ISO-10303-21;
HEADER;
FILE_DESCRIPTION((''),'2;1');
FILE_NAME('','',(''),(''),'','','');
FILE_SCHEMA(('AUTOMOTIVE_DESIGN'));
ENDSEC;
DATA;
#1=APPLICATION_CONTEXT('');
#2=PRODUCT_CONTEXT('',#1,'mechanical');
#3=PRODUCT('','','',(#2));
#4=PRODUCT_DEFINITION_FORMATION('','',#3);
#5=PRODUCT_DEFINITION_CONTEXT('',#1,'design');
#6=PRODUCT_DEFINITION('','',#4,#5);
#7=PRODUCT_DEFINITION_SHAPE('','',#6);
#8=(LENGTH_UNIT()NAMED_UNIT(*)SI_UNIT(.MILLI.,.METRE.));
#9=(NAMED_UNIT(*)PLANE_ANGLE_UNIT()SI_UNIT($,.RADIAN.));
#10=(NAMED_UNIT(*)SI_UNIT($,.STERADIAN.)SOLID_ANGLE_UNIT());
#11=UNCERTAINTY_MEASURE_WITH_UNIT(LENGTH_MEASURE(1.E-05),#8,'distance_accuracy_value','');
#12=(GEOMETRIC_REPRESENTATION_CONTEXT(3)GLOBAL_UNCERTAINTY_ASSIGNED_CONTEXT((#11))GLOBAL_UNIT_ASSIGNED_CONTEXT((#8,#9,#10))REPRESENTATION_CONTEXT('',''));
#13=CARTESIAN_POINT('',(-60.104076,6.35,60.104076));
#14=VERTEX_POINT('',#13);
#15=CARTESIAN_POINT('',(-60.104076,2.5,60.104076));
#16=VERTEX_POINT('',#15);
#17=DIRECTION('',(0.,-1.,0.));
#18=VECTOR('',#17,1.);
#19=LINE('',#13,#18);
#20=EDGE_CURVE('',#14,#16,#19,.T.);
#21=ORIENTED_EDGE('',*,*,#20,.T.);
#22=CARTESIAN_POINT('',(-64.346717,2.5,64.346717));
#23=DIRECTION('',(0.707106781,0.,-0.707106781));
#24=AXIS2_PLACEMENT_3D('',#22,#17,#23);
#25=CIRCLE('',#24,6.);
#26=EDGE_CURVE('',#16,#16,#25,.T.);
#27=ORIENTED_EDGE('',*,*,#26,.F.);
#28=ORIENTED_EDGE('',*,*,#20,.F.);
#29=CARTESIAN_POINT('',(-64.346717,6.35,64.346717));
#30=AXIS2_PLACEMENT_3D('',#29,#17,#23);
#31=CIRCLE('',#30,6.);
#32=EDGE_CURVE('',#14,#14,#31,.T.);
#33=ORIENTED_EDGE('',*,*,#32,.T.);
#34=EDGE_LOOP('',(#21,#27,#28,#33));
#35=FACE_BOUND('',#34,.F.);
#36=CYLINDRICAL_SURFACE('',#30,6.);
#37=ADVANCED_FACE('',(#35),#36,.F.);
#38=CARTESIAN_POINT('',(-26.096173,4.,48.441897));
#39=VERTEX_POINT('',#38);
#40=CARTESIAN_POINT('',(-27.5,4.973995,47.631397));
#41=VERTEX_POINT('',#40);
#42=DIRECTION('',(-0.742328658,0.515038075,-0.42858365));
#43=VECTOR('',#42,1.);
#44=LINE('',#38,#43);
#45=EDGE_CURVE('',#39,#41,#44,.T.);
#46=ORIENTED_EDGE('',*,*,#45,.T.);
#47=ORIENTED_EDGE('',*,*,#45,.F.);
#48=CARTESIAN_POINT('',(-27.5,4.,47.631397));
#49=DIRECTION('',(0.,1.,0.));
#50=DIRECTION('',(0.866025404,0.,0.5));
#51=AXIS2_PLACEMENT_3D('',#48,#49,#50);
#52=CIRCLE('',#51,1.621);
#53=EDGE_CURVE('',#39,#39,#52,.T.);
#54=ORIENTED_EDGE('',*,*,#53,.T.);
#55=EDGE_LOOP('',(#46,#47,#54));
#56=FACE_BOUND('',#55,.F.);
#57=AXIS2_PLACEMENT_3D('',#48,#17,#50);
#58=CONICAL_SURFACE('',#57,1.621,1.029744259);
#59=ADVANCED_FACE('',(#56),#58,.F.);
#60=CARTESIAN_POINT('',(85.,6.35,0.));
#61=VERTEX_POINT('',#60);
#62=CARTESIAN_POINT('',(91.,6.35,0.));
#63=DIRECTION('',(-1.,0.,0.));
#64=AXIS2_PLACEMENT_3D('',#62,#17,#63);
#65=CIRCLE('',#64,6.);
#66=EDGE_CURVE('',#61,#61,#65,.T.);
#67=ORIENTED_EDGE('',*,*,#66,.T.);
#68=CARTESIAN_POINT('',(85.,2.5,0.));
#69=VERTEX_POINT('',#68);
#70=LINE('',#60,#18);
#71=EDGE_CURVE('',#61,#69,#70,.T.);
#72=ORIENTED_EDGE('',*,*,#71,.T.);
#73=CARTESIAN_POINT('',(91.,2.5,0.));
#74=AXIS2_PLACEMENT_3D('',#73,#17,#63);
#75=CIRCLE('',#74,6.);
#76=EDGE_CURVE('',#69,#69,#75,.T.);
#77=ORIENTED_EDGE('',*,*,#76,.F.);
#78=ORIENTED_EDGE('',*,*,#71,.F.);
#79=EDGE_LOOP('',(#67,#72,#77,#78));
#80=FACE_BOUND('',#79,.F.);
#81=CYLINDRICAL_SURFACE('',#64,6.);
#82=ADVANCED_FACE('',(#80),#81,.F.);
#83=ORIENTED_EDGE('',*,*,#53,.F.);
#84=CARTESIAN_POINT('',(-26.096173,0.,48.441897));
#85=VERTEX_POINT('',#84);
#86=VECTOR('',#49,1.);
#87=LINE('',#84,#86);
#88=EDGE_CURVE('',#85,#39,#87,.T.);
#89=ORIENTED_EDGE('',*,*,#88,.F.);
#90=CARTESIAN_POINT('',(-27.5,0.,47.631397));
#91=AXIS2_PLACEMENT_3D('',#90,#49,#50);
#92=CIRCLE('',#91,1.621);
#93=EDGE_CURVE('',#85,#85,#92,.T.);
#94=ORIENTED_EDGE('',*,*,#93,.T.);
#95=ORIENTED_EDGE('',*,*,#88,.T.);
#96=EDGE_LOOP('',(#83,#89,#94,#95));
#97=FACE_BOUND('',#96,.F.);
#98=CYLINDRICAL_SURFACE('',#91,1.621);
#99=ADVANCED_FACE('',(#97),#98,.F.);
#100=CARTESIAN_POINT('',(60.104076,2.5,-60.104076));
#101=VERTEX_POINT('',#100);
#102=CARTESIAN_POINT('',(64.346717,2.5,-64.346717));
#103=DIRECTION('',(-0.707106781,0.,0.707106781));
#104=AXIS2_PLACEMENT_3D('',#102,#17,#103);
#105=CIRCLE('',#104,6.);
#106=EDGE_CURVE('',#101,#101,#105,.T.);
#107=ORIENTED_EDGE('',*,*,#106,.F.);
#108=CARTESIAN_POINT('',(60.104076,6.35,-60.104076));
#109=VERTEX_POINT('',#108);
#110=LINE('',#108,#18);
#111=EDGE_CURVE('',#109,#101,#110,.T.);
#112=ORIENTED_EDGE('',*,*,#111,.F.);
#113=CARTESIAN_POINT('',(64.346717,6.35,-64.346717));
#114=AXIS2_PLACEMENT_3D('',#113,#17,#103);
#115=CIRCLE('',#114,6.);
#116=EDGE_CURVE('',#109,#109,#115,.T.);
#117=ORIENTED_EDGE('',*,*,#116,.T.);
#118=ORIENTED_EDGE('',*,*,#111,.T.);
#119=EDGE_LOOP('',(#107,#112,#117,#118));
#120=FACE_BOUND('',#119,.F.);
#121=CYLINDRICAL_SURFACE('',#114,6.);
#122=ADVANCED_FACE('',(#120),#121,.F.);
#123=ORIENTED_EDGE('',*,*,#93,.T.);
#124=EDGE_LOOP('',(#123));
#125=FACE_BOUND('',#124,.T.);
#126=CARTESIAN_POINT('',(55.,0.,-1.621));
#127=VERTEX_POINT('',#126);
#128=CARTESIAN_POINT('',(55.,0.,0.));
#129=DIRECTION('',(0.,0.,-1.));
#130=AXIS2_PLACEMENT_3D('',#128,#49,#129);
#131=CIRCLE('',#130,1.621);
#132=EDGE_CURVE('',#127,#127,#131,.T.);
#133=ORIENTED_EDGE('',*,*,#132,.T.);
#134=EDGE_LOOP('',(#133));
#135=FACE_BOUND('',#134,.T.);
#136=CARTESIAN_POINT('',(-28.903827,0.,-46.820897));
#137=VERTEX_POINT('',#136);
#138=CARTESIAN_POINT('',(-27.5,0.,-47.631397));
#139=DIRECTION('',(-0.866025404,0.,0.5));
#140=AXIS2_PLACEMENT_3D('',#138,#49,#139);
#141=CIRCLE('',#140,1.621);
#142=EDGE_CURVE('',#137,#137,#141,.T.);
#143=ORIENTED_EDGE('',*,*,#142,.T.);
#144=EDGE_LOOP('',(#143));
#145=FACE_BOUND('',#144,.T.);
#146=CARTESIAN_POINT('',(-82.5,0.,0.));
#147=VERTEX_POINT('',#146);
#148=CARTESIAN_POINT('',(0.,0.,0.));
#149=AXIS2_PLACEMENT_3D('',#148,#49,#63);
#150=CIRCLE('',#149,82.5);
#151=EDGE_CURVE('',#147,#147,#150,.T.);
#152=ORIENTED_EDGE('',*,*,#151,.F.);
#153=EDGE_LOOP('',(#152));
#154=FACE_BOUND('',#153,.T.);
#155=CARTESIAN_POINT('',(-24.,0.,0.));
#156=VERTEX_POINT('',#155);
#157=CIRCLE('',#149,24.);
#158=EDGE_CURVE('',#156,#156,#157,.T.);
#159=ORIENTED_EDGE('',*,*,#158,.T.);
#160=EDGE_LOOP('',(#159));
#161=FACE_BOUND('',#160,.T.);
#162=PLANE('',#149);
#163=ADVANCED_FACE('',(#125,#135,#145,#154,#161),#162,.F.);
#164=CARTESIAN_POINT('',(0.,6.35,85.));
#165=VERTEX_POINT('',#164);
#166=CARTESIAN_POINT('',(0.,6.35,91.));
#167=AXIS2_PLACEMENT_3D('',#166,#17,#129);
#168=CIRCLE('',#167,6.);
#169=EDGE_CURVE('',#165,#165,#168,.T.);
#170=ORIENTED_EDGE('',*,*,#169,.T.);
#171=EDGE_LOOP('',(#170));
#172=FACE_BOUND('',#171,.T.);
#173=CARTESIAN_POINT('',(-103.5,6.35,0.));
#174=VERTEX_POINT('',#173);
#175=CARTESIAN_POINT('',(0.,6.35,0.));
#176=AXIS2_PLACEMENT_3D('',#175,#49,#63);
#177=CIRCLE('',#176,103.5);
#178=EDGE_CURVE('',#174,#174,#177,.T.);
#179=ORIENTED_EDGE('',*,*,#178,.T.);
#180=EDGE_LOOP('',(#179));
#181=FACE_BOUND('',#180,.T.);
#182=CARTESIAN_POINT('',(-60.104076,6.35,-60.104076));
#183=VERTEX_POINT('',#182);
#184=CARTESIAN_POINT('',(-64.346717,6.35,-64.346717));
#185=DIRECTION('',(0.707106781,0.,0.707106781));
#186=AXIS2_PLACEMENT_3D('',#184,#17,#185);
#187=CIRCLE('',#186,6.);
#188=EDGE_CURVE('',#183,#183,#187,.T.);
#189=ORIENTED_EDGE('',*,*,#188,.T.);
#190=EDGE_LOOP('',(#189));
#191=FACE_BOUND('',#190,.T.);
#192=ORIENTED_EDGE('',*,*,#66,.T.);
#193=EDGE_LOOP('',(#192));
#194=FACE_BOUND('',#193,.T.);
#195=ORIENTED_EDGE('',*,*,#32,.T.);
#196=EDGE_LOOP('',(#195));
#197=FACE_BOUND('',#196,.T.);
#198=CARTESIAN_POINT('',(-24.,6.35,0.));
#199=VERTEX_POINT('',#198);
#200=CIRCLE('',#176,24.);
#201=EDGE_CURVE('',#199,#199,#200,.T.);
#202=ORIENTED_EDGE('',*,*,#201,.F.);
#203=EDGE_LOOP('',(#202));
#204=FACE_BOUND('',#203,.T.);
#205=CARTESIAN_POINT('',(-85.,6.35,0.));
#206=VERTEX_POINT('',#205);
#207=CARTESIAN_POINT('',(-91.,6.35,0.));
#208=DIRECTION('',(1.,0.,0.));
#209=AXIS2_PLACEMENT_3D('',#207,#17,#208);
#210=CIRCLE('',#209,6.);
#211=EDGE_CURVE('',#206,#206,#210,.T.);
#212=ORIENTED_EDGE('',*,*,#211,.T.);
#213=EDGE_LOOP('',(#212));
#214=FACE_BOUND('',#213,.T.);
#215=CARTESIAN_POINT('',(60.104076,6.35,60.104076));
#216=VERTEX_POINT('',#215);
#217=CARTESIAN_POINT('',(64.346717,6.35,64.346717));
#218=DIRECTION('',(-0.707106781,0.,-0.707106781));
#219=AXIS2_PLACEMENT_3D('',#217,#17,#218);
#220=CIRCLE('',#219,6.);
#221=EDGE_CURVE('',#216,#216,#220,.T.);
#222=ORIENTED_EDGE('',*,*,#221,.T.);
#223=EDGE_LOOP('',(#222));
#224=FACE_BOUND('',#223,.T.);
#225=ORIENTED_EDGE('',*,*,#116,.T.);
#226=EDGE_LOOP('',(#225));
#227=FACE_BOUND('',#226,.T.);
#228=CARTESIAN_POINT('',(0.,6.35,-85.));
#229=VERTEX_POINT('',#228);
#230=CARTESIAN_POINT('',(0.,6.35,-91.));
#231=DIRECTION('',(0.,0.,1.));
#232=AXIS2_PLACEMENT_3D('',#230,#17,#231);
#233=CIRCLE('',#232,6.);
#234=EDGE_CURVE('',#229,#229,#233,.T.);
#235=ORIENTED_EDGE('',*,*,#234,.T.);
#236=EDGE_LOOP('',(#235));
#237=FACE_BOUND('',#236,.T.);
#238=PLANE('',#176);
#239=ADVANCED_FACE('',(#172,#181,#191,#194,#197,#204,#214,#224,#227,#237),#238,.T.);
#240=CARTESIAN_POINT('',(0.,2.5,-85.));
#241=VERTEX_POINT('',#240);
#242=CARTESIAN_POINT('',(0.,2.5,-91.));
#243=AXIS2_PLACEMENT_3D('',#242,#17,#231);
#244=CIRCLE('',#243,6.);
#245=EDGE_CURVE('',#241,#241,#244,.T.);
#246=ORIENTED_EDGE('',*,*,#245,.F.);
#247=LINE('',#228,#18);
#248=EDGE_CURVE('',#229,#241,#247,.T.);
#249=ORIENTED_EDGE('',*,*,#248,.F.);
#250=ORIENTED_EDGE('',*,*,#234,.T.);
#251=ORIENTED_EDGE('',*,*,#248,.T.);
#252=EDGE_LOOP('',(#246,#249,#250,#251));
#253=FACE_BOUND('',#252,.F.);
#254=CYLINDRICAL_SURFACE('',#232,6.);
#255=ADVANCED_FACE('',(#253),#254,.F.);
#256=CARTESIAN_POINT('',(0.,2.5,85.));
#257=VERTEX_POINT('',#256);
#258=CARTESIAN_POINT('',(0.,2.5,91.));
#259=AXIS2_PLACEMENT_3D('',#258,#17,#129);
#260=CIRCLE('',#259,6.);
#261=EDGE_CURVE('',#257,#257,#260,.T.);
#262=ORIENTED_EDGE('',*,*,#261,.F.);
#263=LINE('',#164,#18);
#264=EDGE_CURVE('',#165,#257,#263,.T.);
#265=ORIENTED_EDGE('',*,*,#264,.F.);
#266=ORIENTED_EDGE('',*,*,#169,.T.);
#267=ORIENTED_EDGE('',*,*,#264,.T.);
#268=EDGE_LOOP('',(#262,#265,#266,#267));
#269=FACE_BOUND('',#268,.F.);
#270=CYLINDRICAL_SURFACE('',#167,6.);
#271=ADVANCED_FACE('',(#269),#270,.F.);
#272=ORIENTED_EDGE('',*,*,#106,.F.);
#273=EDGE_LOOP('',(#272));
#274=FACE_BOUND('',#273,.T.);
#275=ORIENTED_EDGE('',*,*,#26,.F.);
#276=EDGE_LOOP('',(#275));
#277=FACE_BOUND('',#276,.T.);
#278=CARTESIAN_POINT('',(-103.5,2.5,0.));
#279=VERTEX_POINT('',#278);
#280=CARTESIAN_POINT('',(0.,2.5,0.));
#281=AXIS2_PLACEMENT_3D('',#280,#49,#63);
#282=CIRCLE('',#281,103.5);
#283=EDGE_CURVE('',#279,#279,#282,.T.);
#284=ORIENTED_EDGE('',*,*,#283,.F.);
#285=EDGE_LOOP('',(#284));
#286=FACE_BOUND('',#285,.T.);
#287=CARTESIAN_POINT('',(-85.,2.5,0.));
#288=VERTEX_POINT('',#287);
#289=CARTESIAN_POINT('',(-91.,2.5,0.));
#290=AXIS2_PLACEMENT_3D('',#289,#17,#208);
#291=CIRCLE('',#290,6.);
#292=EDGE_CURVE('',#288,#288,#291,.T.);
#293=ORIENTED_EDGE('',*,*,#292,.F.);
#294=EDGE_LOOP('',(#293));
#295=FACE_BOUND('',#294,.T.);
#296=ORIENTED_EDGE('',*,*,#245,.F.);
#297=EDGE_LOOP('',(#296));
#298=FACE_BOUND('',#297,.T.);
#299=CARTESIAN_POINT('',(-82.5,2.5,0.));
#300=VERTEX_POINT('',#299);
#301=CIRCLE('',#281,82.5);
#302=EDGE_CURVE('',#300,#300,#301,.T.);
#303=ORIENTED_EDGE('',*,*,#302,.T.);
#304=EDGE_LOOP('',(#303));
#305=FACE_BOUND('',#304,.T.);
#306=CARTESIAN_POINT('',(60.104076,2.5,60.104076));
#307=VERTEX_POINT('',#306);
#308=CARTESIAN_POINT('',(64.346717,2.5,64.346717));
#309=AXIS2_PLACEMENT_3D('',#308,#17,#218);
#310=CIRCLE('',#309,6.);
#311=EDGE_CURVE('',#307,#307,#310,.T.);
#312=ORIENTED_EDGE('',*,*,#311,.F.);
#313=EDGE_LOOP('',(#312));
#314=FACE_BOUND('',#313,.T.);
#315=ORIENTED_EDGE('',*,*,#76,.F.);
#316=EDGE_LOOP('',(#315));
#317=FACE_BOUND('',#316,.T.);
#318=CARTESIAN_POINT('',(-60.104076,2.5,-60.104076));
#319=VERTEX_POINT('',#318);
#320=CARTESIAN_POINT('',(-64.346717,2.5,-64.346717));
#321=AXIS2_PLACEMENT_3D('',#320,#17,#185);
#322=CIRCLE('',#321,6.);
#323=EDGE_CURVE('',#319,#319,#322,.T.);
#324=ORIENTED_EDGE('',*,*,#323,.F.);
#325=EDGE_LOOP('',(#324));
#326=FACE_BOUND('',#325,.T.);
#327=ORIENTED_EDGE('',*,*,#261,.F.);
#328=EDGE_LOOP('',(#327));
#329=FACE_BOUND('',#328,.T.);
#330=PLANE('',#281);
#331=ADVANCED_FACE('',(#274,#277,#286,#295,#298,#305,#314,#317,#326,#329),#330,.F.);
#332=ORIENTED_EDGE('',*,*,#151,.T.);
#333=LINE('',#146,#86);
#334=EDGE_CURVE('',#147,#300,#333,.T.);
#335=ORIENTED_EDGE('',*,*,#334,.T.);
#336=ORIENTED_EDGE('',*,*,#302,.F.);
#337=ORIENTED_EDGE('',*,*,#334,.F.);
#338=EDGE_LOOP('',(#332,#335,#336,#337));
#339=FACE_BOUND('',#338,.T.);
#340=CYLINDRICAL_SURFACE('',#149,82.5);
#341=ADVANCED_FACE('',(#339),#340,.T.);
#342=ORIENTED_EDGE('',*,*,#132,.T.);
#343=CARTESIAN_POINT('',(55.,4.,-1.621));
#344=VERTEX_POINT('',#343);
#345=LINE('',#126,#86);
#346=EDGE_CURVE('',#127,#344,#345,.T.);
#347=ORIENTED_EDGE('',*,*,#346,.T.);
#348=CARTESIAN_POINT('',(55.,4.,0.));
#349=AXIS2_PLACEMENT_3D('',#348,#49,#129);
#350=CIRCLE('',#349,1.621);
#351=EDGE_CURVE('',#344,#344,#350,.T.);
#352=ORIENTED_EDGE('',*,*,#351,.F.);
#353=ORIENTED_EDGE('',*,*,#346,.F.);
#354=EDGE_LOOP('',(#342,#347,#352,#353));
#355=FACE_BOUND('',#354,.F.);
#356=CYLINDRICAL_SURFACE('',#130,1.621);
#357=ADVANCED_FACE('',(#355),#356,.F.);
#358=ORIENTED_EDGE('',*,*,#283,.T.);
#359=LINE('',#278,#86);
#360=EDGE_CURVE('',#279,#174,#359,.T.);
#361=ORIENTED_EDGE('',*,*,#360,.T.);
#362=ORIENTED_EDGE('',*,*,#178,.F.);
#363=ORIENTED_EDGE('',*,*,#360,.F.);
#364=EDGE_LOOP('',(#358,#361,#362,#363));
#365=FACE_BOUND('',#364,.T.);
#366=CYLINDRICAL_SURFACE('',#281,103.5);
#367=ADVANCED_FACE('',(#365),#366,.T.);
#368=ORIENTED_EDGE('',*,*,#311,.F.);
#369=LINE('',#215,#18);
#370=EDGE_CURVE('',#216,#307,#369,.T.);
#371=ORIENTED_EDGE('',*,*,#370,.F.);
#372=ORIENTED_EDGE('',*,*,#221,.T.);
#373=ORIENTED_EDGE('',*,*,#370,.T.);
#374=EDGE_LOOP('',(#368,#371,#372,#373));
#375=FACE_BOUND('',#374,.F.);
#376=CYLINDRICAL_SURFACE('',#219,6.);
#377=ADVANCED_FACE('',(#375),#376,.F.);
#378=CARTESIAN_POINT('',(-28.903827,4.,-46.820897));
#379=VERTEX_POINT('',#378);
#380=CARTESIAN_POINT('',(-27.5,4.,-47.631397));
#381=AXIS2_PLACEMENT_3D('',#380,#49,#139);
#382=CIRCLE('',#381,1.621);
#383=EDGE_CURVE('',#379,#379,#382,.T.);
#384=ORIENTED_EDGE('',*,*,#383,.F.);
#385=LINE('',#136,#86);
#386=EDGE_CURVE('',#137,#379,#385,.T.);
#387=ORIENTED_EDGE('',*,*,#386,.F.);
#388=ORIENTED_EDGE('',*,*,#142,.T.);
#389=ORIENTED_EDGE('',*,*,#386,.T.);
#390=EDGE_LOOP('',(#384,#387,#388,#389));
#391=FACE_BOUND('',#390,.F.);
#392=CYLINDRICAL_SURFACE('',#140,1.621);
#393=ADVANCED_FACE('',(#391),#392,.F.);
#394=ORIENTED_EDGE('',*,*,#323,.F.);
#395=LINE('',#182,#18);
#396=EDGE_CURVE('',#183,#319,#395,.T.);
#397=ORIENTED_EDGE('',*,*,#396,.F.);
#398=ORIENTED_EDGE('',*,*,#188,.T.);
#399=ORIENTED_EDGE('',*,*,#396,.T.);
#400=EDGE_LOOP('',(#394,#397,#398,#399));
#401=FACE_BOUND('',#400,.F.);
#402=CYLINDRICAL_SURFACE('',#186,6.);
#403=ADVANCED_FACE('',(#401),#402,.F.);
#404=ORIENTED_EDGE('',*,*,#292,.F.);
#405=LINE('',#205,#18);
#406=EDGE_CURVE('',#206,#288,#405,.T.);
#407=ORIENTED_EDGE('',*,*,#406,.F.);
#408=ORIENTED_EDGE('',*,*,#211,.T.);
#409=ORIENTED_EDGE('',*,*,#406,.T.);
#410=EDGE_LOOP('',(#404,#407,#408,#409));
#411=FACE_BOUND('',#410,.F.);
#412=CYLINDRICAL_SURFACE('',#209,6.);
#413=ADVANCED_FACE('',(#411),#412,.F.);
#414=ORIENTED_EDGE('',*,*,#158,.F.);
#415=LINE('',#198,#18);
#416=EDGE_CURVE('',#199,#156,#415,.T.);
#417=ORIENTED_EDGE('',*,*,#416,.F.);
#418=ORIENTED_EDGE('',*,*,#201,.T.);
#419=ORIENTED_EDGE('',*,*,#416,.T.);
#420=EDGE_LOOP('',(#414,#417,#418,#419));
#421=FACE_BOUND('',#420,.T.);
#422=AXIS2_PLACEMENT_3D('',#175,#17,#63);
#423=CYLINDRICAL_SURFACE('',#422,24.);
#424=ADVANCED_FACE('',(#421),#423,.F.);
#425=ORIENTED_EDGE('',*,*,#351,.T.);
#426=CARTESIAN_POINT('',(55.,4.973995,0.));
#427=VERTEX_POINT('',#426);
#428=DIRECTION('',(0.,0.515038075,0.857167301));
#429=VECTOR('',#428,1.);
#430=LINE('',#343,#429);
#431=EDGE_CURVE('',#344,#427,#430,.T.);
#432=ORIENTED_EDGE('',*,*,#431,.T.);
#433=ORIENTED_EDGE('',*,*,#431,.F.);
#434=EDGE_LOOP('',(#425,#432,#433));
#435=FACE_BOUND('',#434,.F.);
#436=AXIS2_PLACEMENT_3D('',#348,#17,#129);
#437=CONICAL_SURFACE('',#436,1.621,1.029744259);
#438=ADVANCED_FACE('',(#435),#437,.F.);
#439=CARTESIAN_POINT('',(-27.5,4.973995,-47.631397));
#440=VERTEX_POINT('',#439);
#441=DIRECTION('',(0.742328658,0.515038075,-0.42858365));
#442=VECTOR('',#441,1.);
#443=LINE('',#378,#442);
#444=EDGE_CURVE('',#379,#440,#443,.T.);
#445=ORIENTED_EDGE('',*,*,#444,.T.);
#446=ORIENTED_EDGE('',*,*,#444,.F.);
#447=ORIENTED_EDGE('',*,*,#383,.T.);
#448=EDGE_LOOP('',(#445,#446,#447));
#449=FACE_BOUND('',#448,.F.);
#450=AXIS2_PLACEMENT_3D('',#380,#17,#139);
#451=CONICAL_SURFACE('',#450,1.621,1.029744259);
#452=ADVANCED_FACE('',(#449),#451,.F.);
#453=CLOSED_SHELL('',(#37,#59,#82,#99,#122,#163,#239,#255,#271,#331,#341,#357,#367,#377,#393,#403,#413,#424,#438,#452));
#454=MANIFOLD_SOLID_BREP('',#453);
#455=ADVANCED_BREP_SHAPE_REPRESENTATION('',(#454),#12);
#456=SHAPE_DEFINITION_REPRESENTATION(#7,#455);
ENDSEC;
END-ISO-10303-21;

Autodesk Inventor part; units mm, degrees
ref_plane "YZ Plane" through (0, 0, 0) normal (1, 0, 0) x (0, 1, 0)
ref_plane "XZ Plane" through (0, 0, 0) normal (0, 1, 0) x (-1, 0, 0)
ref_plane "XY Plane" through (0, 0, 0) normal (0, 0, 1) x (1, 0, 0)
sketch "Sketch2" plane through (0, 0, 0) normal (0, 0, 1) x (1, 0, 0)
  line L0 (-82.5, 0) -> (-82.5, 2.5)
  line L1 (-82.5, 2.5) -> (-103.5, 2.5)
  line L2 (-103.5, 2.5) -> (-103.5, 6.35)
  line L3 (-103.5, 6.35) -> (-24, 6.35)
  line L4 (-24, 6.35) -> (-24, 0)
  line L5 (-24, 0) -> (-82.5, 0)
  line L6 (0, -1.27) -> (0, 7.62) projected
  point P0 (0, 0)
  dimension "d1" = 103.5
  dimension "d2" = 6.35
  dimension "d3" = 2.5
  dimension "d4" = 82.5
  dimension "d34" = 24
revolve "Revolution1" add sketch "Sketch2" angle 360 about axis through (0, -10, 0) along (0, 1, 0)
sketch "Sketch3" plane through (0, 6.35, 0) normal (0, 1, 0) x (1, 0, 0)
  point P0 (0, 0)
  point P1 (0, 91)
  dimension "d10" = 91
hole "Hole1" at (0, 6.35, -91) direction (0, -1, 0) diameter 12 end through all
pattern_circular "Circular Pattern1" count 8 over 360 about axis through (0, 4.425, 0) along (0, 1, 0) of "Hole1"
sketch "Sketch4" plane through (0, 0, 0) normal (0, -1, 0) x (1, 0, 0)
  point P0 (0, 0)
  point P1 (55, 0)
  dimension "d21" = 55
hole "Hole2" at (55, 0, 0) direction (0, 1, 0) diameter 3.242 depth 4 tip angle 118 thread size "M4x0.7" class "6H" standard "ISO Metric profile"
pattern_circular "Circular Pattern2" count 3 over 360 about axis through (0, 3.175, 0) along (0, 1, 0) of "Hole2"
properties part number "Flange" material "Brass, Soft Yellow"
